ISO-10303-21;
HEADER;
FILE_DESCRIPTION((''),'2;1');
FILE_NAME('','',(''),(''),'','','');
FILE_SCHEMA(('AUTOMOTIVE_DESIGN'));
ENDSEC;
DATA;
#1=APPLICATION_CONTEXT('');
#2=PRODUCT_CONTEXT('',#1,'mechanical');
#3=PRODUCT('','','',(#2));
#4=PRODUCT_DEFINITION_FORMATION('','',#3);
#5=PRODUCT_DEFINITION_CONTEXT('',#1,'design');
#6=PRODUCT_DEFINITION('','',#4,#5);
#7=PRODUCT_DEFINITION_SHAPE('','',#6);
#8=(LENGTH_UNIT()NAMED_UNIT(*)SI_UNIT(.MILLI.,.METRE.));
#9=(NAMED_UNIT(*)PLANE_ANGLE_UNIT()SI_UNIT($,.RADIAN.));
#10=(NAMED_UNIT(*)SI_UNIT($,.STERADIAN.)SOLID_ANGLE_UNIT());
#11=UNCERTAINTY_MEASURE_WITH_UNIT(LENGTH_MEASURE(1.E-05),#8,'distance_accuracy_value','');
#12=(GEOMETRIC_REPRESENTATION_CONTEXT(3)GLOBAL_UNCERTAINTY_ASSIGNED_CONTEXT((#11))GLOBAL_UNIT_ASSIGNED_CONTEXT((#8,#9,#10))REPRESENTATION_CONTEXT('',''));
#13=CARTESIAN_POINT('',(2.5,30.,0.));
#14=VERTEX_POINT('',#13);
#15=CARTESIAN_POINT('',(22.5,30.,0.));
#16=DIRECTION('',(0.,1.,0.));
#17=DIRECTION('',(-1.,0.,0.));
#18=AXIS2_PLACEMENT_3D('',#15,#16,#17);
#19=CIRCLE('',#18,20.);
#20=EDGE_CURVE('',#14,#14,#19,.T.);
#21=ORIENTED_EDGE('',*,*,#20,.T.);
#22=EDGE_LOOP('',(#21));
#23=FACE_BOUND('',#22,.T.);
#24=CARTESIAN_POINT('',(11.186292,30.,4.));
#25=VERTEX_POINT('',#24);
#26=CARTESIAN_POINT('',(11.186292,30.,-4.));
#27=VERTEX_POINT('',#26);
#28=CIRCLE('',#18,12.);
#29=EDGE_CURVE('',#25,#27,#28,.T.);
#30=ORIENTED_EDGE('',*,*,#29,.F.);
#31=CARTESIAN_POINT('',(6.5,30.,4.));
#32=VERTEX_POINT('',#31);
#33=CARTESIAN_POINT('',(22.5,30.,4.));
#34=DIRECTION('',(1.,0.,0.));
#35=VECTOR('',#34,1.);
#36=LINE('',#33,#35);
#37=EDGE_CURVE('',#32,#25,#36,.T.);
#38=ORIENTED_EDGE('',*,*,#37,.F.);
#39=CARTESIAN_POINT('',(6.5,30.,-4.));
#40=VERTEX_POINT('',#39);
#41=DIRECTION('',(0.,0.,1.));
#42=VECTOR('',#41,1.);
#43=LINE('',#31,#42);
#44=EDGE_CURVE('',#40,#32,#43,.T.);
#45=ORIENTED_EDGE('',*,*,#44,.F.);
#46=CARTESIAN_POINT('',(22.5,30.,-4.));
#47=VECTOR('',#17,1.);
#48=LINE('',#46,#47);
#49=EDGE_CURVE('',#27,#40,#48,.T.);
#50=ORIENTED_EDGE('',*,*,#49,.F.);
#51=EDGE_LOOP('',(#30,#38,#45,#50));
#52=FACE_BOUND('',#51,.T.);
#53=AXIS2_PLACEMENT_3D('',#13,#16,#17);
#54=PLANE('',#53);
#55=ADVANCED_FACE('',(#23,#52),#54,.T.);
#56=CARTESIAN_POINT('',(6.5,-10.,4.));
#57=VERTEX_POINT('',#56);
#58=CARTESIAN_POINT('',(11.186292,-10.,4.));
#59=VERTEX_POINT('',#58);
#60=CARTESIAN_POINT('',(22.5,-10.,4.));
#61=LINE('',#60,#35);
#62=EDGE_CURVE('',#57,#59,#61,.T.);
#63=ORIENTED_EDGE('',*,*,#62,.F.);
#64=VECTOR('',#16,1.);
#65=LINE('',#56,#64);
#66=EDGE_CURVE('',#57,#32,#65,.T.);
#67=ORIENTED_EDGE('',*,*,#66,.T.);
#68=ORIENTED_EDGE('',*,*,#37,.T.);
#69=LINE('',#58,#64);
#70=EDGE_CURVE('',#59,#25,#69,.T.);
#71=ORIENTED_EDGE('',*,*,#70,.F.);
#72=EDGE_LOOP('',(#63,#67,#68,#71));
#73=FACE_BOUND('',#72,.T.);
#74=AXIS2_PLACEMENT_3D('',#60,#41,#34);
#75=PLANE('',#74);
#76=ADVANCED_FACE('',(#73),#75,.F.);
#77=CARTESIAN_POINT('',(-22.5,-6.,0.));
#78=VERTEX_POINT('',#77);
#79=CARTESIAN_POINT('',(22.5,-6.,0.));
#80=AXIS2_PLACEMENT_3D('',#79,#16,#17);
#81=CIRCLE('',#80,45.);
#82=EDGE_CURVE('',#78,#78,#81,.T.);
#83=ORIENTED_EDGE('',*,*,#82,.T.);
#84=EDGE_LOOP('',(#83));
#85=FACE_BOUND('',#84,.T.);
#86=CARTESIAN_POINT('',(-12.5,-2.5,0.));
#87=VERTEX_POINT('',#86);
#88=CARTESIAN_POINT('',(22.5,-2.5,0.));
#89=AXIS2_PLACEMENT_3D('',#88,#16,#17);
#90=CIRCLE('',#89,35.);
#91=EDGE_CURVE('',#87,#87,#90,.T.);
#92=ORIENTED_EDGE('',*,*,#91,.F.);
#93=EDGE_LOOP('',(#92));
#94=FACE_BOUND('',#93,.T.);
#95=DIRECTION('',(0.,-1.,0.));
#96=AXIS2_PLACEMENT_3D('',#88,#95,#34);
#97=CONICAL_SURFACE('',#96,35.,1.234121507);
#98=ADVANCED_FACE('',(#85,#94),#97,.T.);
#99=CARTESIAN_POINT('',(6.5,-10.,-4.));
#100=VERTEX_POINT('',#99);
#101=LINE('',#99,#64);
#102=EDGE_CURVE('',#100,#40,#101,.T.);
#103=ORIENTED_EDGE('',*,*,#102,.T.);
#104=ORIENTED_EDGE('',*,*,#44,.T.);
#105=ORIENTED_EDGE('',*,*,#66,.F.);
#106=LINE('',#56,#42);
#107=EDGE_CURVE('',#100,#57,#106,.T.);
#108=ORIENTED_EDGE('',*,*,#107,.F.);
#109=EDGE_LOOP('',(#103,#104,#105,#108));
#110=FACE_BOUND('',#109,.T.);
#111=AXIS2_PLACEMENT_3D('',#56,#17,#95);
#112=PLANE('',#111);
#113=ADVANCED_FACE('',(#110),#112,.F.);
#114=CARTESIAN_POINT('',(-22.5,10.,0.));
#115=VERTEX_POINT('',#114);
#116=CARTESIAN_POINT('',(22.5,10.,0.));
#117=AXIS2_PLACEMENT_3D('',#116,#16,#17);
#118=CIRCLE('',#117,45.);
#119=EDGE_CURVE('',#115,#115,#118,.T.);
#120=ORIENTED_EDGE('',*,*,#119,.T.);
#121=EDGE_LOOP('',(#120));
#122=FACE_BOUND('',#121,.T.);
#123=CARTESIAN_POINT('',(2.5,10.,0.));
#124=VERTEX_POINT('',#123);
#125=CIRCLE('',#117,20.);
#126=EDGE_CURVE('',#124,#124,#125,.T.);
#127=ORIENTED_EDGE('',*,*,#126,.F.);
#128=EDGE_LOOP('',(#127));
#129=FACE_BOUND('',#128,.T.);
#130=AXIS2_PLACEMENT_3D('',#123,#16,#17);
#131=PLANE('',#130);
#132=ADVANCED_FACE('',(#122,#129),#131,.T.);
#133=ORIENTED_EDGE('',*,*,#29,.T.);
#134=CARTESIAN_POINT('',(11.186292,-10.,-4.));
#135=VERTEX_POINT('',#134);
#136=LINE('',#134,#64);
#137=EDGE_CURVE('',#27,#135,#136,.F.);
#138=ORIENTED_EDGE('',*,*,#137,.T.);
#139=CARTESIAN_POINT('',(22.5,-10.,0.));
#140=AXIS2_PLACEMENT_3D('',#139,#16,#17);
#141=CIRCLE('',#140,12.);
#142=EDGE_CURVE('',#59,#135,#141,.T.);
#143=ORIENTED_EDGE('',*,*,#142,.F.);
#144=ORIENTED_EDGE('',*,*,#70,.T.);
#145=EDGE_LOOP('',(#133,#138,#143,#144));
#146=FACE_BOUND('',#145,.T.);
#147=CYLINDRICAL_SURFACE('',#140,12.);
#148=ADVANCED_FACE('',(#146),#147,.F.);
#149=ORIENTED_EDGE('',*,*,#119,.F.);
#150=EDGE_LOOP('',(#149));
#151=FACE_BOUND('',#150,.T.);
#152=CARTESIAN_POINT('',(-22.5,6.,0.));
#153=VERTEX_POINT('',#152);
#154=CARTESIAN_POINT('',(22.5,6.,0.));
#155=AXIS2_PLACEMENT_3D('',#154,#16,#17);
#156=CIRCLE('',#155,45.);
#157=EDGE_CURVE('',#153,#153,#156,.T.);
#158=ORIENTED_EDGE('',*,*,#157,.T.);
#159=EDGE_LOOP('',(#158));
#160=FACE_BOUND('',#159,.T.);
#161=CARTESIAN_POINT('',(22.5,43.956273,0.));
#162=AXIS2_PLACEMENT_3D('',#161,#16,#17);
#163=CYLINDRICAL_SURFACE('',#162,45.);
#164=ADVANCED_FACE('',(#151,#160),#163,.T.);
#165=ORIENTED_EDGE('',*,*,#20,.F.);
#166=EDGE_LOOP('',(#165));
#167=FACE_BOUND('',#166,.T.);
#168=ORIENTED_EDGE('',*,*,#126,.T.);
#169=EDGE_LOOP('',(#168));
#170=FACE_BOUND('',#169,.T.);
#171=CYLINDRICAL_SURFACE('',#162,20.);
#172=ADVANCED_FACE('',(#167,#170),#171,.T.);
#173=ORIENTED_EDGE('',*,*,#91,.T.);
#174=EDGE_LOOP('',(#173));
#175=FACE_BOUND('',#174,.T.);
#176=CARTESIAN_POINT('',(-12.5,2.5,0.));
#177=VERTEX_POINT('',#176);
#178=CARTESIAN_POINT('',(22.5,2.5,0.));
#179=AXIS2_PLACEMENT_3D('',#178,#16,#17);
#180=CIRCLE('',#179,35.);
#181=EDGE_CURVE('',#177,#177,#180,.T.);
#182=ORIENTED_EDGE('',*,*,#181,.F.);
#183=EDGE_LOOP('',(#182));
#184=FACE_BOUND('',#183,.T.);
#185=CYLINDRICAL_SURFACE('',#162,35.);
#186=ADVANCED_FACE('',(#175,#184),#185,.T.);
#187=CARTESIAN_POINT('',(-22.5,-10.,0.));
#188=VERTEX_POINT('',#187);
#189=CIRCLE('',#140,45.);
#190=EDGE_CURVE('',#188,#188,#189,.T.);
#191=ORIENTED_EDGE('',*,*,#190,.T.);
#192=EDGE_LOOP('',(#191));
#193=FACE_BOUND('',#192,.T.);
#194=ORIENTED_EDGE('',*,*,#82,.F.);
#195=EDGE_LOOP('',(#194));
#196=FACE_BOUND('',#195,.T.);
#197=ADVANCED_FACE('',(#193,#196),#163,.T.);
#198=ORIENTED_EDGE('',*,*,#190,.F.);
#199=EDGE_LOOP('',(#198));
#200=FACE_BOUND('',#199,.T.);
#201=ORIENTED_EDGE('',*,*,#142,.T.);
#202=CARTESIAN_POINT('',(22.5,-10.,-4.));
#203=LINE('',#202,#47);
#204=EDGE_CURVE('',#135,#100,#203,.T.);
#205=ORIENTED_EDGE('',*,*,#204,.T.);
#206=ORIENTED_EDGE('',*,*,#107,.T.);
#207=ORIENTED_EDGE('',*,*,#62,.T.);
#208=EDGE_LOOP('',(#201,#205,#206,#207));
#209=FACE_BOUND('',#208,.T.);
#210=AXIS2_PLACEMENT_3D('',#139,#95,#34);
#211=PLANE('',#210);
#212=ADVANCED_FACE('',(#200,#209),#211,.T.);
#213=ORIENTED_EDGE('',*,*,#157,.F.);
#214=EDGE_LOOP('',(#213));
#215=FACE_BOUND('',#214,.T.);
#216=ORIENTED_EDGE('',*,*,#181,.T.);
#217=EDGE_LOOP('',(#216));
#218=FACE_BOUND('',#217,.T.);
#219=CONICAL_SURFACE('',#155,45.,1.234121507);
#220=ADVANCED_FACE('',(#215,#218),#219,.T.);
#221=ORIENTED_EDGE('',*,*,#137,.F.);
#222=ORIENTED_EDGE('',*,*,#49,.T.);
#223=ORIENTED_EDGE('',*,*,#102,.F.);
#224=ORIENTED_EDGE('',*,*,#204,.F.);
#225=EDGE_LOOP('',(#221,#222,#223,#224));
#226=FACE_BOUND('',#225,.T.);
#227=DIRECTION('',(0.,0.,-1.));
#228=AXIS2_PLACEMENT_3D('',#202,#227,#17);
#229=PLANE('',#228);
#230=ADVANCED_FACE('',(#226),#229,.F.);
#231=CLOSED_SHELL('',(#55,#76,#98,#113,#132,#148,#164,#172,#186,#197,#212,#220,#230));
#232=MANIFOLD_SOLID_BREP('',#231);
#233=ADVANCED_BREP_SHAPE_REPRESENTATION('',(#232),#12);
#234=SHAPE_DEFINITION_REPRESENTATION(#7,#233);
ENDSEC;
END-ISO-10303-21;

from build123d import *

# Parameters (mm, degrees)
SKETCH2_R          = 12
CUT_EXTRUDE1_DEPTH = 91.450262576
SKETCH3_W          = 16
SKETCH3_H          = 8
CUT_EXTRUDE2_DEPTH = 91.450262576


with BuildPart() as part:
    # Sketch1 → Revolve1 (revolve)
    with BuildSketch(Plane.XY):
        Polygon((-12.5, 2.5), (-12.5, -2.5), (-22.5, -6), (-22.5, -10), (22.5, -10), (22.5, 10), (22.5, 30), (2.5, 30), (2.5, 10), (-22.5, 10), (-22.5, 6), align=None)
    revolve(axis=Axis((22.5, 43.956272641, 0), (0, -1, 0)))

    # Sketch2 → Cut-Extrude1 (cut, through all)
    with BuildSketch(Plane(origin=(0, 30, 0), x_dir=(1, 0, 0), z_dir=(0, 1, 0))):
        with Locations(Location((22.5, 0, 0), (0, 0, 180))):
            Circle(SKETCH2_R)
    extrude(amount=-CUT_EXTRUDE1_DEPTH, mode=Mode.SUBTRACT)

    # Sketch3 → Cut-Extrude2 (cut, through all)
    with BuildSketch(Plane(origin=(0, 30, 0), x_dir=(1, 0, 0), z_dir=(0, 1, 0))):
        with Locations((14.5, 0)):
            Rectangle(SKETCH3_W, SKETCH3_H)
    extrude(amount=-CUT_EXTRUDE2_DEPTH, mode=Mode.SUBTRACT)


solid = part.part
